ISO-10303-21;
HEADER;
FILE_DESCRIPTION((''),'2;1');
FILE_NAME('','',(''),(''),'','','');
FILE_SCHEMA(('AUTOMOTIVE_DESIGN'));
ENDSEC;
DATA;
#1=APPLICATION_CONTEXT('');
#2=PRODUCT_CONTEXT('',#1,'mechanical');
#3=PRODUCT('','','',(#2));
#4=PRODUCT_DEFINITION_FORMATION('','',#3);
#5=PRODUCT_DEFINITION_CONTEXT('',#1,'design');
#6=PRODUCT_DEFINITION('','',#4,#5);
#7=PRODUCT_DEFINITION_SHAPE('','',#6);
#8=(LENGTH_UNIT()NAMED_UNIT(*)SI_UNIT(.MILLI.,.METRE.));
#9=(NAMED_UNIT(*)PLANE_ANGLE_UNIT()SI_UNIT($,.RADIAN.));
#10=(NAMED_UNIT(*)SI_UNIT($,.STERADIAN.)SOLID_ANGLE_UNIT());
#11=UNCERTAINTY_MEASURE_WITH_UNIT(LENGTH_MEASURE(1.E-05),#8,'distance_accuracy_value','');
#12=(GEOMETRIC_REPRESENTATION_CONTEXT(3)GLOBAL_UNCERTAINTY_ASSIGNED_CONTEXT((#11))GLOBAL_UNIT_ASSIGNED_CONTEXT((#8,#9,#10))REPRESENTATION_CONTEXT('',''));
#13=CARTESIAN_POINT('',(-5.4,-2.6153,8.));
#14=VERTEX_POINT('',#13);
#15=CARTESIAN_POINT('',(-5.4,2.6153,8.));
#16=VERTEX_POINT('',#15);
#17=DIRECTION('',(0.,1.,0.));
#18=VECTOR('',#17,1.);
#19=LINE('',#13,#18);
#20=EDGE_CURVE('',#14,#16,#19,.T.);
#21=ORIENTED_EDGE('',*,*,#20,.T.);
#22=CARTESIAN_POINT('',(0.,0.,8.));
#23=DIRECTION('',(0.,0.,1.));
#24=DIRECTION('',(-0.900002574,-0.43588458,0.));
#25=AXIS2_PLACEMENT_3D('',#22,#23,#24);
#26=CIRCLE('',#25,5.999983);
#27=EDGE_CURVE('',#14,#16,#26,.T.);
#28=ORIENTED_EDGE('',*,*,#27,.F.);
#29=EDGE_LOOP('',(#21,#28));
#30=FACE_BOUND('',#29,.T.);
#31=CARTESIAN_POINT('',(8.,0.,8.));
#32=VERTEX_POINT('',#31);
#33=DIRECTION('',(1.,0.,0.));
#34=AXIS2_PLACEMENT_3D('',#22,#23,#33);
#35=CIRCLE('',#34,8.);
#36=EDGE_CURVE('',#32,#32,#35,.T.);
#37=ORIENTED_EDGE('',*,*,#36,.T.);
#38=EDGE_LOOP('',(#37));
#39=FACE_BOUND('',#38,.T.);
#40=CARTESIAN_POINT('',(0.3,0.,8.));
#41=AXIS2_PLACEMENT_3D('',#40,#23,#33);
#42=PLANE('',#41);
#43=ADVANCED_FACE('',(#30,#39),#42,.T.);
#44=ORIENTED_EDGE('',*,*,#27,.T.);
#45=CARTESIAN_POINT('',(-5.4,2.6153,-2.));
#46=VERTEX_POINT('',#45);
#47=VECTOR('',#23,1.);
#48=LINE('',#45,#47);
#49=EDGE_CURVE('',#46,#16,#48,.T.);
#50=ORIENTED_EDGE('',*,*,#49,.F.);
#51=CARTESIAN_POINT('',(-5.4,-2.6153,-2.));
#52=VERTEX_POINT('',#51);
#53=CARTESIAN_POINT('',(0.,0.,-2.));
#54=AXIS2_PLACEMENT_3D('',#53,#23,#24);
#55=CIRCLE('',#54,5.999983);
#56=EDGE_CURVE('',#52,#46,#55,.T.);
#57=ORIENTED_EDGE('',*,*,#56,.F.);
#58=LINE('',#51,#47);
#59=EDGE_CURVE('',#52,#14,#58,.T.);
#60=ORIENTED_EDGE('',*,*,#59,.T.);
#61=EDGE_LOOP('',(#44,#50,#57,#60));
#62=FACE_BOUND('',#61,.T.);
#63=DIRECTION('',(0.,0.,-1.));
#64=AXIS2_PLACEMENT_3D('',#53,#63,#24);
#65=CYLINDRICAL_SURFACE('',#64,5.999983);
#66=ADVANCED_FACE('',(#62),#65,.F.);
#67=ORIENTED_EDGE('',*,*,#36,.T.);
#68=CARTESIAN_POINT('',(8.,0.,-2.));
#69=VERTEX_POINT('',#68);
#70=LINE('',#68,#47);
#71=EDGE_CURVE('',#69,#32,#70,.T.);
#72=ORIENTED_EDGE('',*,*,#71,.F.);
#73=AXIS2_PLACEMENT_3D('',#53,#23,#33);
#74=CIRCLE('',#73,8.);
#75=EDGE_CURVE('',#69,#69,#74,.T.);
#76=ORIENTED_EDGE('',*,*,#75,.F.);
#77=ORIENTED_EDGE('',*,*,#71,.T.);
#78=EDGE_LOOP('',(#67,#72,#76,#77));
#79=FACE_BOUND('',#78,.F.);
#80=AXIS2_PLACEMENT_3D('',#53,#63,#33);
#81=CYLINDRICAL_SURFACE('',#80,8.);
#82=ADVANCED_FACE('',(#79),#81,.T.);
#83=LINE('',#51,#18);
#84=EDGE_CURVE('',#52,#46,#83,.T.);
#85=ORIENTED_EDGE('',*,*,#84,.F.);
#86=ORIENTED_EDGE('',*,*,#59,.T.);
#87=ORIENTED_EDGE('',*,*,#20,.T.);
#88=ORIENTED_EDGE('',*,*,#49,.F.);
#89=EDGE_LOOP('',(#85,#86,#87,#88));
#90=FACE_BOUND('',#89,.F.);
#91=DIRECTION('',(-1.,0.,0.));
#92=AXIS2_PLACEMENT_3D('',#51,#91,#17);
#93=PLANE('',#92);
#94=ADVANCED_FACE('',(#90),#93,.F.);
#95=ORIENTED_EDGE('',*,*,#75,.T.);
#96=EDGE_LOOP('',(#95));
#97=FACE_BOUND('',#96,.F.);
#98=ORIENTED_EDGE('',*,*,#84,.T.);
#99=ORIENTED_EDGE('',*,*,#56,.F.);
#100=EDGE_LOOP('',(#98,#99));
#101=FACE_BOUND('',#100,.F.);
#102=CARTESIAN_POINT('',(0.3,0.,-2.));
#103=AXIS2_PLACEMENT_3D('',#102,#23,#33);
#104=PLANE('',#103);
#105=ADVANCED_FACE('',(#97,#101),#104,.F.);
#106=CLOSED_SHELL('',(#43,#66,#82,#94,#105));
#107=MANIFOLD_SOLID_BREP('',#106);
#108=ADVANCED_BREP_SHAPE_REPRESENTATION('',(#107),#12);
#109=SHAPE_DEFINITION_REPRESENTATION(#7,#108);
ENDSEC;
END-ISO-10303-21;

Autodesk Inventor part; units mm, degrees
ref_plane "YZ Plane" through (0, 0, 0) normal (1, 0, 0) x (0, 1, 0)
ref_plane "XZ Plane" through (0, 0, 0) normal (0, 1, 0) x (-1, 0, 0)
ref_plane "XY Plane" through (0, 0, 0) normal (0, 0, 1) x (1, 0, 0)
ref_plane "Work Plane2" through (0.3, 0, -2) normal (0, 0, 1) x (1, 0, 0)
sketch "Sketch2" plane through (0.3, 0, -2) normal (0, 0, 1) x (1, 0, 0)
  circle A0 centre (-2.8, -2.5) radius 1.1 projected
  circle A1 centre (2.2, -2.5) radius 1.1 projected
  circle A2 centre (-2.8, 2.5) radius 1.1 projected
  circle A3 centre (2.2, 2.5) radius 1.1 projected
  line L0 (-5.7, -2.6153) -> (-5.7, 2.6153) projected
  arc A4 (-5.7, -2.6153) -> (-5.7, 2.6153) centre (-0.3, 0) ccw projected
  circle A5 centre (-0.3, 0) radius 8
  dimension "d2" = 16
extrude "Extrusion1" add sketch "Sketch2" along normal blind 10 contours A5
properties part number "BtnHolder"
